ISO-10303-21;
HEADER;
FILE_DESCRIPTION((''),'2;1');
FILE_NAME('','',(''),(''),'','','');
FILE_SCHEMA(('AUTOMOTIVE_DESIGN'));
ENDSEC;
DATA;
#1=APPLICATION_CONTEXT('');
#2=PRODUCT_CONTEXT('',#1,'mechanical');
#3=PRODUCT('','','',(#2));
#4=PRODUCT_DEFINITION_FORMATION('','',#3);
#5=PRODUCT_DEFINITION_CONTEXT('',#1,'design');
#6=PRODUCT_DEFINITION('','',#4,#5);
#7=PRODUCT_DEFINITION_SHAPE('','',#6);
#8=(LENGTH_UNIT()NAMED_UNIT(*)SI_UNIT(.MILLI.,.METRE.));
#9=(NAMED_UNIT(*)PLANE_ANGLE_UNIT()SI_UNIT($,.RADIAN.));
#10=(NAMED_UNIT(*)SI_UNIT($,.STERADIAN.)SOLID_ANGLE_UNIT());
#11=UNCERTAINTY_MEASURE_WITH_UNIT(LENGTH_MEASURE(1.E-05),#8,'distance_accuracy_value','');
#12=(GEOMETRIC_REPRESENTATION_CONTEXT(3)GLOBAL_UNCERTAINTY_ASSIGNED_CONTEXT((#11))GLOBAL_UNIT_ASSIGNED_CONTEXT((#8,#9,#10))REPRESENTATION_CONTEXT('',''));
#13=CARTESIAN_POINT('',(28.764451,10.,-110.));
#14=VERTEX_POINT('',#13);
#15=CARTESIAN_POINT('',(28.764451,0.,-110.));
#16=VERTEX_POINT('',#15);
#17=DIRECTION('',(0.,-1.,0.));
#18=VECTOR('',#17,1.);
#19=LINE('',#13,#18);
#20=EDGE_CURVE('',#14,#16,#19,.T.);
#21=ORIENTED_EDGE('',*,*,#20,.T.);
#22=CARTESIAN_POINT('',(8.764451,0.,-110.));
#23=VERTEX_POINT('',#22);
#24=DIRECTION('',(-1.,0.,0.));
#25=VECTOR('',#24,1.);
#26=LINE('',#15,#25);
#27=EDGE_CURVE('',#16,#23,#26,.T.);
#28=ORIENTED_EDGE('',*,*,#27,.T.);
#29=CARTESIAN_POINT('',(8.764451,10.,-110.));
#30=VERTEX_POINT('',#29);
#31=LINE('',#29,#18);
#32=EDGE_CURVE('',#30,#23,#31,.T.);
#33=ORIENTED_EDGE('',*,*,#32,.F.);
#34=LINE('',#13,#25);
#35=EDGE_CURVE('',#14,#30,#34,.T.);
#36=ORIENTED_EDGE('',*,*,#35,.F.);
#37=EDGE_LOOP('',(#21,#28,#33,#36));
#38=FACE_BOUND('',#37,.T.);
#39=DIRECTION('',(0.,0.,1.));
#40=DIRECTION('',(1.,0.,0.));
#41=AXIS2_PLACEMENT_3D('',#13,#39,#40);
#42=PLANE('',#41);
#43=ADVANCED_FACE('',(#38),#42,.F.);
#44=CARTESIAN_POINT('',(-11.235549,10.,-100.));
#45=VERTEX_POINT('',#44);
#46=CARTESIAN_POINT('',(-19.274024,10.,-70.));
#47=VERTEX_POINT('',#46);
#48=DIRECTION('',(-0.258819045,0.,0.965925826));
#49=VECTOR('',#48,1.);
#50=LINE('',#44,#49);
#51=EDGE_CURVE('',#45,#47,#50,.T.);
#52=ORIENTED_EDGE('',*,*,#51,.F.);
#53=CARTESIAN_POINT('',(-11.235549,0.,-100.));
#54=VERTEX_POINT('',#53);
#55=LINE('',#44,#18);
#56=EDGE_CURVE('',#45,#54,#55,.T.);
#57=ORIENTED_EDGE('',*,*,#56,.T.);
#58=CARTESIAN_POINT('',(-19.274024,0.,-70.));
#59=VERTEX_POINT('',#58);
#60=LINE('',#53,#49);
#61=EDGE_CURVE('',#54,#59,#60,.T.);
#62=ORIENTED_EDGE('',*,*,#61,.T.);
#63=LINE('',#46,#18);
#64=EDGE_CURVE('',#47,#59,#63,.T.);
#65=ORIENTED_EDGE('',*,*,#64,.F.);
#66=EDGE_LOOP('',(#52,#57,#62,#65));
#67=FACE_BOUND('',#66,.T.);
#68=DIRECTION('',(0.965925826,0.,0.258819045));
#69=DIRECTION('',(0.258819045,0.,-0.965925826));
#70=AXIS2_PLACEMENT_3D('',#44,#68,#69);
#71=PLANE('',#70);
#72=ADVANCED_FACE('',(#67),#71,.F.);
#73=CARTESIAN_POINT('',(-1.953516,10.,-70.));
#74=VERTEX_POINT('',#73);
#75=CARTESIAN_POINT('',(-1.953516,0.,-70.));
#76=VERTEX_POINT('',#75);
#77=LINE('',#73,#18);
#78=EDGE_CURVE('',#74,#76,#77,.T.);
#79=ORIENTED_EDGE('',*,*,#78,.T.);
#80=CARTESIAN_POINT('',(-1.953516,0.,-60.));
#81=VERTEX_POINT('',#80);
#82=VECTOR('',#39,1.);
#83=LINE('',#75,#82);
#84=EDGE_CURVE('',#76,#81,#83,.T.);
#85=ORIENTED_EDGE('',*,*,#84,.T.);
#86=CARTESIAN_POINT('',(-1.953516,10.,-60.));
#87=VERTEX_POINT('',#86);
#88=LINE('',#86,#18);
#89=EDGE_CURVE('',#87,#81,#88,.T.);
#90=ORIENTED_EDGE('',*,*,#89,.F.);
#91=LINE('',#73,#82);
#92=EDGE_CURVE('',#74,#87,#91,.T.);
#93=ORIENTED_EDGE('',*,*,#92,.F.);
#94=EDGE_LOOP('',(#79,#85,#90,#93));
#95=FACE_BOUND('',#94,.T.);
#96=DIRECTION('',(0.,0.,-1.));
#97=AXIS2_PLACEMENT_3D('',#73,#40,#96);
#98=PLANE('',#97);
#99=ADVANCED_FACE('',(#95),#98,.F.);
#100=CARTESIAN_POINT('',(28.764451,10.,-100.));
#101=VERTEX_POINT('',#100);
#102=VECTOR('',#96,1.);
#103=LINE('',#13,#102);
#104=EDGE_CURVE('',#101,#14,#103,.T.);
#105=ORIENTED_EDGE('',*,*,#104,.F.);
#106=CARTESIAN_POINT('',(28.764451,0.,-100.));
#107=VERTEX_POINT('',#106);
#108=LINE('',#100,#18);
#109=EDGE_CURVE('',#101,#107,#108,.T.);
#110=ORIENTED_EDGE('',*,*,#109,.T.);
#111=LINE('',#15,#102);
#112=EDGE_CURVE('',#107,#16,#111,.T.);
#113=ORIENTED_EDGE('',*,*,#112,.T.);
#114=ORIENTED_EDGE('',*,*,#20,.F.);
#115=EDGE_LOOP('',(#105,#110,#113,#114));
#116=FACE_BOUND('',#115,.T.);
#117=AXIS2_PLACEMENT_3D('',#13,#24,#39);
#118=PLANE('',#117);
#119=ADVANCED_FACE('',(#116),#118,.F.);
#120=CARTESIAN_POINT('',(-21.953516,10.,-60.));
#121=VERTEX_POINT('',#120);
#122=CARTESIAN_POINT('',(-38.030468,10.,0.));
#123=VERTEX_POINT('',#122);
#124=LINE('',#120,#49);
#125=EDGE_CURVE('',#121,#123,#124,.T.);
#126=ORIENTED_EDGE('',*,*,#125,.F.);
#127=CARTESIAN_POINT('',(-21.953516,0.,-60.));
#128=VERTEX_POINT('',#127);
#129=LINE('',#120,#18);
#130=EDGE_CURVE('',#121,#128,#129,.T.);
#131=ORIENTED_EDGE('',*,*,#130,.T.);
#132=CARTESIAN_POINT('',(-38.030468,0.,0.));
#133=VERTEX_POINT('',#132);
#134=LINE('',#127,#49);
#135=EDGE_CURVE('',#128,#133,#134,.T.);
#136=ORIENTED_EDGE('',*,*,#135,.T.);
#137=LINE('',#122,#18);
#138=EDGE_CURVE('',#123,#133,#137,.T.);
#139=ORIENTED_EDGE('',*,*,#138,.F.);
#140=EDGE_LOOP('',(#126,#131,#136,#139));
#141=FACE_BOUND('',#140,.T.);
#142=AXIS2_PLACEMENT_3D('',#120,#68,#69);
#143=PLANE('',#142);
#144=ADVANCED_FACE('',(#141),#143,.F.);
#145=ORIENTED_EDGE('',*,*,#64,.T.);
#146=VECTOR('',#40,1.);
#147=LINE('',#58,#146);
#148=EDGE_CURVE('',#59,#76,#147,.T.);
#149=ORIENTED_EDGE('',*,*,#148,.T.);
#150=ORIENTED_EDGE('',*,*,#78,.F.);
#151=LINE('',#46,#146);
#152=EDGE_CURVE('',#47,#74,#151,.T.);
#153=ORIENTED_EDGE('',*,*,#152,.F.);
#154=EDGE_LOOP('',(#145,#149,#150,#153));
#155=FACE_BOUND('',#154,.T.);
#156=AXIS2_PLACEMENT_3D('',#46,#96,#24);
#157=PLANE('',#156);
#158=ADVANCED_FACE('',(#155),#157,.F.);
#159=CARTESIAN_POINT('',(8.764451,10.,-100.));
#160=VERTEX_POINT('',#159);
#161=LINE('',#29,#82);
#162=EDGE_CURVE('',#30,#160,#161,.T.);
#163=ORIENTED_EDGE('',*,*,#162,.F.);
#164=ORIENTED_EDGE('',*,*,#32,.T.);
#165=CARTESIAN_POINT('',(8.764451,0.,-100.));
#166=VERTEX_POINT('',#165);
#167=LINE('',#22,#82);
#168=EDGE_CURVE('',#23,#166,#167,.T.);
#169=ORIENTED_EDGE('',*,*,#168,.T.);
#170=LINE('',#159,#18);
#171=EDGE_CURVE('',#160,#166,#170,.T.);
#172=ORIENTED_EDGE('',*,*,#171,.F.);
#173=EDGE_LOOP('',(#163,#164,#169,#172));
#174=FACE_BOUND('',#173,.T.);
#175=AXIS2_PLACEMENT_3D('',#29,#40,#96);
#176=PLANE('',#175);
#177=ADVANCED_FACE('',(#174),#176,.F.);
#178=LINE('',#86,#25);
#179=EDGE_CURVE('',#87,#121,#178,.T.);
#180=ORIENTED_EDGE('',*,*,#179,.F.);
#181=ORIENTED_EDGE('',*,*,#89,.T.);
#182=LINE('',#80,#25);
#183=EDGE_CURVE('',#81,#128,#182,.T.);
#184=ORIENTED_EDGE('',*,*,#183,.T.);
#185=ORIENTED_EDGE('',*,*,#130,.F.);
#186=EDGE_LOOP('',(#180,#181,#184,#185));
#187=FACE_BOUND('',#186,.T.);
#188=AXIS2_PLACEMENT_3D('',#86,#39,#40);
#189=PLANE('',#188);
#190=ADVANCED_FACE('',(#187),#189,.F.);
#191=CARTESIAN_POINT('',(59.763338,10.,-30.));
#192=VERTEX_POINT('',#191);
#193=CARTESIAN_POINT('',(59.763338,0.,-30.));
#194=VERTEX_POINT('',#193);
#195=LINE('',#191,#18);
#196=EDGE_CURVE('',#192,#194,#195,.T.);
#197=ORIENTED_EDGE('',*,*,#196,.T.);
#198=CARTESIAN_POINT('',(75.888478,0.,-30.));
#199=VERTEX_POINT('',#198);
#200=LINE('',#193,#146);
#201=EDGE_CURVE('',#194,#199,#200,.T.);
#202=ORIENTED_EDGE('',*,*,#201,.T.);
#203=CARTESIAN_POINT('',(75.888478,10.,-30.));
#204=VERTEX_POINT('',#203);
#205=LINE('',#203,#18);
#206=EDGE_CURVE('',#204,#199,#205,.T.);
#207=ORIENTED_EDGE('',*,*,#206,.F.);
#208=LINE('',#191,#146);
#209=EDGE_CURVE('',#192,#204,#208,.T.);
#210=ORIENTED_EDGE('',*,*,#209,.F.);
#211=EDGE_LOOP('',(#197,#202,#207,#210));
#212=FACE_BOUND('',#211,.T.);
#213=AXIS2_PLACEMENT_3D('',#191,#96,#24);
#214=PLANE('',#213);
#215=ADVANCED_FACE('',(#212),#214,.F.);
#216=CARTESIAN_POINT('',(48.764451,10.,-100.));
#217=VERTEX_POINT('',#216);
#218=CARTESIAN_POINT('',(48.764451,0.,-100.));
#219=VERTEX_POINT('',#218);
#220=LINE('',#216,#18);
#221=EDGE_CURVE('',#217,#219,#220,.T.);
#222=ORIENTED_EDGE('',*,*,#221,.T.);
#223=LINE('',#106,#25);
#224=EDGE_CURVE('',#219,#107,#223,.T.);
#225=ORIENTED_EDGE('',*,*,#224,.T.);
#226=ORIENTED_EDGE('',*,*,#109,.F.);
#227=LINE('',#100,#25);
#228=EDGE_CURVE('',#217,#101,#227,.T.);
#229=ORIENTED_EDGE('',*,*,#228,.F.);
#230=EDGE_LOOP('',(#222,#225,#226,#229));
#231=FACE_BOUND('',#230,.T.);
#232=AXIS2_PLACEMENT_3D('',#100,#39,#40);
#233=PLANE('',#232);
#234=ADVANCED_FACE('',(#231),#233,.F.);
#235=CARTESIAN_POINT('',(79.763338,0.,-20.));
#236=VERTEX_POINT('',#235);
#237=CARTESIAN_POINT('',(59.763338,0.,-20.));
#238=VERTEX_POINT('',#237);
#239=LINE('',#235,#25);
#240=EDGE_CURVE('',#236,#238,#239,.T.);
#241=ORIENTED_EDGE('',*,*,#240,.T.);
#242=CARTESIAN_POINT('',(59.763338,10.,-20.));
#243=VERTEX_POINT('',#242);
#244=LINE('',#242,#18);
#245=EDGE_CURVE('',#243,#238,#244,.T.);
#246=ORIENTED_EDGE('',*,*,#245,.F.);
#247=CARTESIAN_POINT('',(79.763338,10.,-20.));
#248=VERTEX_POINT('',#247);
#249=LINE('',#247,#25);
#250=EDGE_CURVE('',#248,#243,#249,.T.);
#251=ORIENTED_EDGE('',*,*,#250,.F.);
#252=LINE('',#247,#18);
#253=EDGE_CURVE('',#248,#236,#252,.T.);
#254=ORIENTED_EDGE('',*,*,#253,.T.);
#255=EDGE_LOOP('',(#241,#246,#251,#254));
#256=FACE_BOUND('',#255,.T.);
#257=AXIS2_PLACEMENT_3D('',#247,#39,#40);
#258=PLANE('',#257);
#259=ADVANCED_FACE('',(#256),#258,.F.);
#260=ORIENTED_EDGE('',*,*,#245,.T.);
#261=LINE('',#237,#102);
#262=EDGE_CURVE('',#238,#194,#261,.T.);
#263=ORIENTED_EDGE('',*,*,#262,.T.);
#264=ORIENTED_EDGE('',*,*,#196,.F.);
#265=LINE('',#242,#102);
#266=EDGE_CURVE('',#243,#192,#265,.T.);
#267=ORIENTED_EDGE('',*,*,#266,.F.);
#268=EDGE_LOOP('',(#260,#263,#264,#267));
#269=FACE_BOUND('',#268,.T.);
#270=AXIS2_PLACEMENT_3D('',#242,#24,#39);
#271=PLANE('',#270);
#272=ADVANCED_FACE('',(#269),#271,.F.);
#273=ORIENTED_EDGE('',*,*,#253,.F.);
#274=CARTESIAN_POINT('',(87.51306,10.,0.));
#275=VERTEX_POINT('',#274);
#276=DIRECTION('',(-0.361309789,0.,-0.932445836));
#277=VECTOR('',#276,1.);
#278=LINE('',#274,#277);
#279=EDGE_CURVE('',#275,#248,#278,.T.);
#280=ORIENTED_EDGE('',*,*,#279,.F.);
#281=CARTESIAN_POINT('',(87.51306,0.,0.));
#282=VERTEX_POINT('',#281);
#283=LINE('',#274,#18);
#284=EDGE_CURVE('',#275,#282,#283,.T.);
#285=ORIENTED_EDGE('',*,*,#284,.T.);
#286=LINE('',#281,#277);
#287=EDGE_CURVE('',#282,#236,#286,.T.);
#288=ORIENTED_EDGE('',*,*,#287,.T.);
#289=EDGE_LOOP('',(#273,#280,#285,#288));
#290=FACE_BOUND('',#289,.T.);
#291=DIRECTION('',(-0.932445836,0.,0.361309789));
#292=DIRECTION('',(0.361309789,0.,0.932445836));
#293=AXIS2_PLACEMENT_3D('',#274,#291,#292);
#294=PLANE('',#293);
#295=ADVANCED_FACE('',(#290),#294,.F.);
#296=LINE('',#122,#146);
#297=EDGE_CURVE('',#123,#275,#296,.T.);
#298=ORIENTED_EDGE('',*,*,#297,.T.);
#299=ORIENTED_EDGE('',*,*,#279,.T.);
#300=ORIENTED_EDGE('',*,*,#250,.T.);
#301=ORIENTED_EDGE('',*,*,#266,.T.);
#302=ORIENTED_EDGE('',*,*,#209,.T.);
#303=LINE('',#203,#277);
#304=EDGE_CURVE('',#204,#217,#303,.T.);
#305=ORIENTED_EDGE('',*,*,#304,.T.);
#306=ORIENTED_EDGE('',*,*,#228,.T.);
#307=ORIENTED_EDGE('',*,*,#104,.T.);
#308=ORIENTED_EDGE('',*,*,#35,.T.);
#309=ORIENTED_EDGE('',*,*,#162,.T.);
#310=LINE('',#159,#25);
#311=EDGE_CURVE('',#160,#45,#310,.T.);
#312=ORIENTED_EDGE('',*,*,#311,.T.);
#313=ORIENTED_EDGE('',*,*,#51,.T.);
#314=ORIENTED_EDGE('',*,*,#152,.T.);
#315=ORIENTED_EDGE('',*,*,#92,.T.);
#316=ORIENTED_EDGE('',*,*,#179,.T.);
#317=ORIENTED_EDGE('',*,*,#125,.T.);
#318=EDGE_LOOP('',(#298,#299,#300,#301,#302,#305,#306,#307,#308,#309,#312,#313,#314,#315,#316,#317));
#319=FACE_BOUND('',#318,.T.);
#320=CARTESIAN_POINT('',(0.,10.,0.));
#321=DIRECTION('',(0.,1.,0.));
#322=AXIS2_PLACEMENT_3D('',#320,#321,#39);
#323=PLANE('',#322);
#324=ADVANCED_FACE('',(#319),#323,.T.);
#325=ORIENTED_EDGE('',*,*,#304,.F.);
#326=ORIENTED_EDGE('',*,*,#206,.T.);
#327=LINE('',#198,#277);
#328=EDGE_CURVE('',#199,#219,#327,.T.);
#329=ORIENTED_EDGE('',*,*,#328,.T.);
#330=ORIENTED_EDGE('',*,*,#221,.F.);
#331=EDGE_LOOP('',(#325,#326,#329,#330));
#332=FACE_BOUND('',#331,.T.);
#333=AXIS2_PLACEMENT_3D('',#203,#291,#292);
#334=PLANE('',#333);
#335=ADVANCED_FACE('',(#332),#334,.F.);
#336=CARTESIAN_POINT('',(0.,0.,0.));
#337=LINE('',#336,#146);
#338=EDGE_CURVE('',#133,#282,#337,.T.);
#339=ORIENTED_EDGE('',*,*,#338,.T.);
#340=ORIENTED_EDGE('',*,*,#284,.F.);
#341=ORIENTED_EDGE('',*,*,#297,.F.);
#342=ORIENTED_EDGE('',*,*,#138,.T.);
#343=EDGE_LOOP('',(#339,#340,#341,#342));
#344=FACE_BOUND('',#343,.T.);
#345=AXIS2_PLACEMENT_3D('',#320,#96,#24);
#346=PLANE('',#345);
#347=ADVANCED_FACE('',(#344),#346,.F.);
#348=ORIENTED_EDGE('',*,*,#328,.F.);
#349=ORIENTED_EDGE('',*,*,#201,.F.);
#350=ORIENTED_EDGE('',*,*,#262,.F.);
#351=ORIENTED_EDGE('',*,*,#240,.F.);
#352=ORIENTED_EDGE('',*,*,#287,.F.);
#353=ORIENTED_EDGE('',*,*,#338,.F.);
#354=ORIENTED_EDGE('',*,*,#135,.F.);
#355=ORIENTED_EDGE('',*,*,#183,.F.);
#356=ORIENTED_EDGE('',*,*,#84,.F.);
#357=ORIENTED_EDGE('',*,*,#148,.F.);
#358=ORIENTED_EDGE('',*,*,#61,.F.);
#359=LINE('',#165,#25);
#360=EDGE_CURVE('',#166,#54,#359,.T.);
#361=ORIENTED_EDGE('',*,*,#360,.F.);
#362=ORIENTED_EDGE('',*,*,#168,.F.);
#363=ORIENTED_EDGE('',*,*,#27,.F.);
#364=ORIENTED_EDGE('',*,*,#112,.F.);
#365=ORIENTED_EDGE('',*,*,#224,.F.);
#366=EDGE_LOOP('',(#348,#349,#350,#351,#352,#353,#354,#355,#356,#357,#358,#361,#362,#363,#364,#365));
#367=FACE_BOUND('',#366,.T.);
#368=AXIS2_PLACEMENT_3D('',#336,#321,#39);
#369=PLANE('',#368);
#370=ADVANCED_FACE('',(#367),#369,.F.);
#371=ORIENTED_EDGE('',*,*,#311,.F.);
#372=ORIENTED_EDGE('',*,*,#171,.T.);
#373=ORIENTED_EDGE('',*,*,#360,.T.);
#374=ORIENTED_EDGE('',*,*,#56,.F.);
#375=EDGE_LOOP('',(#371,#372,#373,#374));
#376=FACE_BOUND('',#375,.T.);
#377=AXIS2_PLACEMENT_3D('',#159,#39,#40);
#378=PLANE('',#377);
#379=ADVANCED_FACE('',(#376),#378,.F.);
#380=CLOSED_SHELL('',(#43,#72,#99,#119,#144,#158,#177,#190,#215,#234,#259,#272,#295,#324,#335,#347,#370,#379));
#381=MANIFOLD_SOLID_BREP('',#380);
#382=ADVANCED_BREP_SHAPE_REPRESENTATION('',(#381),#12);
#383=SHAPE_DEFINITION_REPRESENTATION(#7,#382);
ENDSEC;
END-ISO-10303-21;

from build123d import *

# Parameters (mm, degrees)
BOSS_EXTRUDE1_DEPTH = 10


with BuildPart() as part:
    # Sketch1 → Boss-Extrude1 (new body)
    with BuildSketch(Plane(origin=(0, 0, 0), x_dir=(1, 0, 0), z_dir=(0, 1, 0))):
        Polygon((0, 0), (87.513060243, 0), (79.763338482, 20), (59.763338482, 20), (59.763338482, 30), (75.888477602, 30), (48.76445144, 100), (28.76445144, 100), (28.76445144, 110), (8.76445144, 110), (8.76445144, 100), (-11.23554856, 100), (-19.274024332, 70), (-1.953516257, 70), (-1.953516257, 60), (-21.953516257, 60), (-38.030467803, 0), align=None)
    extrude(amount=BOSS_EXTRUDE1_DEPTH)


solid = part.part
